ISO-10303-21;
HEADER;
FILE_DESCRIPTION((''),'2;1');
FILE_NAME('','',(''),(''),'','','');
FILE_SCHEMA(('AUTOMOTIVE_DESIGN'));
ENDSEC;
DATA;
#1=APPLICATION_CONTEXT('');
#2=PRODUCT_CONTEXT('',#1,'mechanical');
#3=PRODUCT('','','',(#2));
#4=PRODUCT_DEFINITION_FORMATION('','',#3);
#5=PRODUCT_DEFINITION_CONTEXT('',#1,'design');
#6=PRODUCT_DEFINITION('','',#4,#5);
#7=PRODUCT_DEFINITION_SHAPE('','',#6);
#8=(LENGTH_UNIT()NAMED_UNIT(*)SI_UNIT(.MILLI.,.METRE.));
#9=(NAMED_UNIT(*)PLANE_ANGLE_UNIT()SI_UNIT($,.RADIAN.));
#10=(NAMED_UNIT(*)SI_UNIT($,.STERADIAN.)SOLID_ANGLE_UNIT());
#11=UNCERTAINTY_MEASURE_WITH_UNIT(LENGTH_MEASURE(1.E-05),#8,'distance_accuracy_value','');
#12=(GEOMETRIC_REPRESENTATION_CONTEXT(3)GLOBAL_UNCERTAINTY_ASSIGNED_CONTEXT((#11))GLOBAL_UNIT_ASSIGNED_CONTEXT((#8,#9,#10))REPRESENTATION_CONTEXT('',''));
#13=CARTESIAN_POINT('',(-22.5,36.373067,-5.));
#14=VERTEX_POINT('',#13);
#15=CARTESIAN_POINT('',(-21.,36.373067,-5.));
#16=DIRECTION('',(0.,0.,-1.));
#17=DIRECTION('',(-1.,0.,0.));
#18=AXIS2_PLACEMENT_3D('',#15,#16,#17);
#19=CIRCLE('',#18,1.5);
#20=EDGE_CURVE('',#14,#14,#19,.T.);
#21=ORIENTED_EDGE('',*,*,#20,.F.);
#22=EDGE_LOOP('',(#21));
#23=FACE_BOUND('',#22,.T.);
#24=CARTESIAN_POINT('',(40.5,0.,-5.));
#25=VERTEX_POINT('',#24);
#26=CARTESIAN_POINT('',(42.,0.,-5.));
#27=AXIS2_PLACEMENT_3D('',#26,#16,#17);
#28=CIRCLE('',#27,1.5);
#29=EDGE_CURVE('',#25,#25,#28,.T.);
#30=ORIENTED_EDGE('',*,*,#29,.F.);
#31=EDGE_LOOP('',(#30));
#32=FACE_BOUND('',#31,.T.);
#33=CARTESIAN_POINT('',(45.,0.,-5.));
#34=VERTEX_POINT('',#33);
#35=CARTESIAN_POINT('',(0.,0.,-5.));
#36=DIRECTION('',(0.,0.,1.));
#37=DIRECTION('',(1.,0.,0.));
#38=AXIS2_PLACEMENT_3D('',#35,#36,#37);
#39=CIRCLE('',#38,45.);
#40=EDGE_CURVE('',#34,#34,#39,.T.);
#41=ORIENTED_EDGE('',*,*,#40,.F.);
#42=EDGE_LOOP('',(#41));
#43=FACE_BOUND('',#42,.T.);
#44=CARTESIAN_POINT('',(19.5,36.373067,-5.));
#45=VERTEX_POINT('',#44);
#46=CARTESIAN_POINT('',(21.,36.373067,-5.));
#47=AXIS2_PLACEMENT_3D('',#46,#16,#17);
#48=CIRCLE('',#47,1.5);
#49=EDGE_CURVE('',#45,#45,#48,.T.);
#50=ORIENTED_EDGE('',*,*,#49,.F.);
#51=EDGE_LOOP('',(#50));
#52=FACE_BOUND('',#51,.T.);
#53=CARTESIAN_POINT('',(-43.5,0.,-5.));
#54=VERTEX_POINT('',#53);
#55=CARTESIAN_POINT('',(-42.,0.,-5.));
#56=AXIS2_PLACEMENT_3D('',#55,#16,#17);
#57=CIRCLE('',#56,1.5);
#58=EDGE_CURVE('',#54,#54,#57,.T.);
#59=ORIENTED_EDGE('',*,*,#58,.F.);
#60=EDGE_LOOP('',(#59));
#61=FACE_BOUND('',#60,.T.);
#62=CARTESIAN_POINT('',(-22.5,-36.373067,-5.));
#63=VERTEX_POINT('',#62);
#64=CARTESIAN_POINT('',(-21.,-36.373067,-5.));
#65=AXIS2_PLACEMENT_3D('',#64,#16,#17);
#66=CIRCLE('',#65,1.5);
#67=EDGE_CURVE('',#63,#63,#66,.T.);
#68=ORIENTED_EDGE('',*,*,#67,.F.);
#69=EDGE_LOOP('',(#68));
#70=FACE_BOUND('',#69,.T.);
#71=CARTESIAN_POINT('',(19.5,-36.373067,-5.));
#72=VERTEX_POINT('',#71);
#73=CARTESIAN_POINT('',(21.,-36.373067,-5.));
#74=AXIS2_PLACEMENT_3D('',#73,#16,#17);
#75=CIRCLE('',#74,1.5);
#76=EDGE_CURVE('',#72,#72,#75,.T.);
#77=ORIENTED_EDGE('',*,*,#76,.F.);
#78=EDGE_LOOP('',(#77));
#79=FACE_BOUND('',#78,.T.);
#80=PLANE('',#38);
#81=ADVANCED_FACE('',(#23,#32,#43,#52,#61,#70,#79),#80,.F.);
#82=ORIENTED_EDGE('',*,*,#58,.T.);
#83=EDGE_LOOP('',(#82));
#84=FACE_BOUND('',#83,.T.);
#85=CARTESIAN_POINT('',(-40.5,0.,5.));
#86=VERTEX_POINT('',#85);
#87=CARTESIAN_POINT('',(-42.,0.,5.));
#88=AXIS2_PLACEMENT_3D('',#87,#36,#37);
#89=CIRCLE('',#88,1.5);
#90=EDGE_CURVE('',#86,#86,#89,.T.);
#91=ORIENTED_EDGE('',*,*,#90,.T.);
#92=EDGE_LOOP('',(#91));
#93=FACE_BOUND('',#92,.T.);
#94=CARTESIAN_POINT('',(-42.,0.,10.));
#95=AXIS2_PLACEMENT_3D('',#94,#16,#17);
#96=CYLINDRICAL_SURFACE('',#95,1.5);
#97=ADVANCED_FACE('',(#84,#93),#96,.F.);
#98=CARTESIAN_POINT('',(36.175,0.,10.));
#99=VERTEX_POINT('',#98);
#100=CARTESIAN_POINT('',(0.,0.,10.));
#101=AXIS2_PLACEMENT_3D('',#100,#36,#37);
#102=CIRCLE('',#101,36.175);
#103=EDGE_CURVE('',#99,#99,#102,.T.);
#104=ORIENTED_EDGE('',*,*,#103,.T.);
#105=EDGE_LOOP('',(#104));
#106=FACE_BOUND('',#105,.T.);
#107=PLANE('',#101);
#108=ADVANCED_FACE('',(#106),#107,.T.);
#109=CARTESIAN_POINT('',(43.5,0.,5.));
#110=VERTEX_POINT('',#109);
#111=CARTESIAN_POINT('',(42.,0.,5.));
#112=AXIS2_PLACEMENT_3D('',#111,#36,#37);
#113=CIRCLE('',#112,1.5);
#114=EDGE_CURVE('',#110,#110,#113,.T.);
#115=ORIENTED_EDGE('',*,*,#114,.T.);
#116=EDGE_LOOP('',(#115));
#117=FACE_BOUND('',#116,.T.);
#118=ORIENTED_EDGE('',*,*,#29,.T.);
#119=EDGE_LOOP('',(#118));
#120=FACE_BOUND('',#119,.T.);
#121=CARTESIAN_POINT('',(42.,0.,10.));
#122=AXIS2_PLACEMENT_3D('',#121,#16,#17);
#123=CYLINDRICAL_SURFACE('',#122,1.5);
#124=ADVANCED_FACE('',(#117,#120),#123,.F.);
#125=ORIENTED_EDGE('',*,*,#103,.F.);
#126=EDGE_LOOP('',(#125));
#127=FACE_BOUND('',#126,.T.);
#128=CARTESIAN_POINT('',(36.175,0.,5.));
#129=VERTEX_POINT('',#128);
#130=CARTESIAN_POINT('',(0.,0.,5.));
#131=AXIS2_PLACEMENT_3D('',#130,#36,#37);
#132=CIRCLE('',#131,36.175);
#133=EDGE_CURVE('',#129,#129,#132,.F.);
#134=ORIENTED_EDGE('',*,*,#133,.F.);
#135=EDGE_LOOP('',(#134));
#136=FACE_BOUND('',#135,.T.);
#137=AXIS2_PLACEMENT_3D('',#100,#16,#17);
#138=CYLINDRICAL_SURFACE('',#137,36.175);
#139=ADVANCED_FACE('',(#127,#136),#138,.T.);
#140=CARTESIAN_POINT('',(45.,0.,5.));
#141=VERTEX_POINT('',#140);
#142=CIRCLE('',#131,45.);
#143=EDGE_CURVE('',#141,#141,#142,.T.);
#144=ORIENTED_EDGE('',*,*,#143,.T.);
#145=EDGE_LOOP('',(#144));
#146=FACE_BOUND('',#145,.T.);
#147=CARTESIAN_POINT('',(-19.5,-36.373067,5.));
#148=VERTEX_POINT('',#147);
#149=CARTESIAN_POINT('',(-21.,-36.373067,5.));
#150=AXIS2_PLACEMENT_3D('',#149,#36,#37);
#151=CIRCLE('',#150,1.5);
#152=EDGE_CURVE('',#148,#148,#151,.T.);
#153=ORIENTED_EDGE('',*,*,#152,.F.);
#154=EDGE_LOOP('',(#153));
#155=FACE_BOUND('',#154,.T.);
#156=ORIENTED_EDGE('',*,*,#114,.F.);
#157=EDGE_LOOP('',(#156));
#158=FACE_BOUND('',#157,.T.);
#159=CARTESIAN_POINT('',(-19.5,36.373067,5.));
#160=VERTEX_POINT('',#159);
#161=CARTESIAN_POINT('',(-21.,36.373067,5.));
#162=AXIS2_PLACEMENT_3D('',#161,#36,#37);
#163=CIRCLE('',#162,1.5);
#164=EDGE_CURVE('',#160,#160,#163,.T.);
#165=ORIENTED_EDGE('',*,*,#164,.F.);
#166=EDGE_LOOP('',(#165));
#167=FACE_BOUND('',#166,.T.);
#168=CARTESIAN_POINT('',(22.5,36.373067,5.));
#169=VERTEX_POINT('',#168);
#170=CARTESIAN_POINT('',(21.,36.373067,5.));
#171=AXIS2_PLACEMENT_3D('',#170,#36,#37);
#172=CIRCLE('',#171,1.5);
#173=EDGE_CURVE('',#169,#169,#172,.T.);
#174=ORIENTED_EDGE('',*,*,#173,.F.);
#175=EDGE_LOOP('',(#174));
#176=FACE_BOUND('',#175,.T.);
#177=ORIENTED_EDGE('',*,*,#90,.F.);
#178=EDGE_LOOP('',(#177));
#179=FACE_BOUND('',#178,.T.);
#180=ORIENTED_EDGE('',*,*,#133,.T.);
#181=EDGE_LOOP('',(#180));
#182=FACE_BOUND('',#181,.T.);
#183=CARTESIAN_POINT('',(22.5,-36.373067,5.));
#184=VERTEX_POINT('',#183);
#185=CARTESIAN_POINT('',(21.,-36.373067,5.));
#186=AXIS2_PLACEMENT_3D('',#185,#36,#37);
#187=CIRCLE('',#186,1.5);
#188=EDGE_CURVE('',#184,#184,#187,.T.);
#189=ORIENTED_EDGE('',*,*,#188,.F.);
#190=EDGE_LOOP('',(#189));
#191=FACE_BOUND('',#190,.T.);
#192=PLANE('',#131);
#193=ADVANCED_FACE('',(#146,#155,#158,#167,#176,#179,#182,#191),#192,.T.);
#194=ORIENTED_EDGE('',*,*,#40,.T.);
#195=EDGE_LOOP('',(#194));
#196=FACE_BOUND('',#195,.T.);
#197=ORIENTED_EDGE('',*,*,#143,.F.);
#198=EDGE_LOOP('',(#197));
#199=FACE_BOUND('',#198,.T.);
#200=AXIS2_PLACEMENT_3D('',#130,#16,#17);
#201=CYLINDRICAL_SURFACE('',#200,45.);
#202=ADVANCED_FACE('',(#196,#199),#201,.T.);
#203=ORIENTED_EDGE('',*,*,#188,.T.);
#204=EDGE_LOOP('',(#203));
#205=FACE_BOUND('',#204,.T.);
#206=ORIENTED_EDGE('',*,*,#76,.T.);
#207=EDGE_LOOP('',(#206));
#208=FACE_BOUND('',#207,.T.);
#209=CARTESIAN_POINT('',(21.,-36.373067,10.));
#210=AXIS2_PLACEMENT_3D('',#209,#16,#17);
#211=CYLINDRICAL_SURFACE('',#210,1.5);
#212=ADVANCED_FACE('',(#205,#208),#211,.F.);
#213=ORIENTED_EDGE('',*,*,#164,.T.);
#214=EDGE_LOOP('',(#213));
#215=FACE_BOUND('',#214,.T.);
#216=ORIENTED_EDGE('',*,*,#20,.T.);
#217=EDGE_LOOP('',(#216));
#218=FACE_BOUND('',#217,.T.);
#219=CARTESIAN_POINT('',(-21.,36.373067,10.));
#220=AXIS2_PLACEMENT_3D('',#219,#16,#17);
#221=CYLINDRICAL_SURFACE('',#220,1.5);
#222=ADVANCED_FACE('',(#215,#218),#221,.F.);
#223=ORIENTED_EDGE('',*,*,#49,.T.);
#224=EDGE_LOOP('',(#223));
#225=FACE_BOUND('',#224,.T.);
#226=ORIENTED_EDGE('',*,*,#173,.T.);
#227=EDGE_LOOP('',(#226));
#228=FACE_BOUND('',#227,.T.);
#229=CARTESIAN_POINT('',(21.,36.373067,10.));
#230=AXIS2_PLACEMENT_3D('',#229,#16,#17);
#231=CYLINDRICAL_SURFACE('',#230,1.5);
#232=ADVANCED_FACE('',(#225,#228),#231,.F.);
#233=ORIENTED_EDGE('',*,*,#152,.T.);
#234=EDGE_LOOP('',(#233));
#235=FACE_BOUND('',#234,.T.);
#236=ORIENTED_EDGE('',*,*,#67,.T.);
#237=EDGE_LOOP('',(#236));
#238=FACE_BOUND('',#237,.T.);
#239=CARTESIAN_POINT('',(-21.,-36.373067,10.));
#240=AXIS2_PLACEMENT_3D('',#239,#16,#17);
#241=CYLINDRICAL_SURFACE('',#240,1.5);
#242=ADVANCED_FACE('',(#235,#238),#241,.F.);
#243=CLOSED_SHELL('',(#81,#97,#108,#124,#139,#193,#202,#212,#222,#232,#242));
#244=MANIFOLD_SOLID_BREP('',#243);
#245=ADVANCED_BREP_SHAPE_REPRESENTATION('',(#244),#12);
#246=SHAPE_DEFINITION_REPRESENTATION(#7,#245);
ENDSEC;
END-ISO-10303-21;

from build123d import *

# Parameters (mm, degrees)
SKETCH1_R           = 45
BOSS_EXTRUDE1_DEPTH = 5
SKETCH2_R           = 36.175
BOSS_EXTRUDE2_DEPTH = 5
SKETCH4_R           = 1.5
CUT_EXTRUDE2_DEPTH  = 66.383484153


with BuildPart() as part:
    # Sketch1 → Boss-Extrude1 (new, symmetric)
    with BuildSketch(Plane.XY):
        Circle(SKETCH1_R)
    extrude(amount=BOSS_EXTRUDE1_DEPTH, both=True)

    # Sketch2 → Boss-Extrude2 (add, symmetric)
    with BuildSketch(Plane.XY.offset(5)):
        Circle(SKETCH2_R)
    extrude(amount=BOSS_EXTRUDE2_DEPTH, both=True)

    # Sketch4 → Cut-Extrude2 (cut, through all)
    with BuildSketch(Plane(origin=(0, 0, -5), x_dir=(-1, 0, 0), z_dir=(0, 0, -1))):
        with Locations((-42, 0)):
            Circle(SKETCH4_R)
        with Locations((-21, 36.373066959)):
            Circle(SKETCH4_R)
        with Locations((21, 36.373066959)):
            Circle(SKETCH4_R)
        with Locations((42, 0)):
            Circle(SKETCH4_R)
        with Locations((21, -36.373066959)):
            Circle(SKETCH4_R)
        with Locations((-21, -36.373066959)):
            Circle(SKETCH4_R)
    extrude(amount=-CUT_EXTRUDE2_DEPTH, mode=Mode.SUBTRACT)


solid = part.part
